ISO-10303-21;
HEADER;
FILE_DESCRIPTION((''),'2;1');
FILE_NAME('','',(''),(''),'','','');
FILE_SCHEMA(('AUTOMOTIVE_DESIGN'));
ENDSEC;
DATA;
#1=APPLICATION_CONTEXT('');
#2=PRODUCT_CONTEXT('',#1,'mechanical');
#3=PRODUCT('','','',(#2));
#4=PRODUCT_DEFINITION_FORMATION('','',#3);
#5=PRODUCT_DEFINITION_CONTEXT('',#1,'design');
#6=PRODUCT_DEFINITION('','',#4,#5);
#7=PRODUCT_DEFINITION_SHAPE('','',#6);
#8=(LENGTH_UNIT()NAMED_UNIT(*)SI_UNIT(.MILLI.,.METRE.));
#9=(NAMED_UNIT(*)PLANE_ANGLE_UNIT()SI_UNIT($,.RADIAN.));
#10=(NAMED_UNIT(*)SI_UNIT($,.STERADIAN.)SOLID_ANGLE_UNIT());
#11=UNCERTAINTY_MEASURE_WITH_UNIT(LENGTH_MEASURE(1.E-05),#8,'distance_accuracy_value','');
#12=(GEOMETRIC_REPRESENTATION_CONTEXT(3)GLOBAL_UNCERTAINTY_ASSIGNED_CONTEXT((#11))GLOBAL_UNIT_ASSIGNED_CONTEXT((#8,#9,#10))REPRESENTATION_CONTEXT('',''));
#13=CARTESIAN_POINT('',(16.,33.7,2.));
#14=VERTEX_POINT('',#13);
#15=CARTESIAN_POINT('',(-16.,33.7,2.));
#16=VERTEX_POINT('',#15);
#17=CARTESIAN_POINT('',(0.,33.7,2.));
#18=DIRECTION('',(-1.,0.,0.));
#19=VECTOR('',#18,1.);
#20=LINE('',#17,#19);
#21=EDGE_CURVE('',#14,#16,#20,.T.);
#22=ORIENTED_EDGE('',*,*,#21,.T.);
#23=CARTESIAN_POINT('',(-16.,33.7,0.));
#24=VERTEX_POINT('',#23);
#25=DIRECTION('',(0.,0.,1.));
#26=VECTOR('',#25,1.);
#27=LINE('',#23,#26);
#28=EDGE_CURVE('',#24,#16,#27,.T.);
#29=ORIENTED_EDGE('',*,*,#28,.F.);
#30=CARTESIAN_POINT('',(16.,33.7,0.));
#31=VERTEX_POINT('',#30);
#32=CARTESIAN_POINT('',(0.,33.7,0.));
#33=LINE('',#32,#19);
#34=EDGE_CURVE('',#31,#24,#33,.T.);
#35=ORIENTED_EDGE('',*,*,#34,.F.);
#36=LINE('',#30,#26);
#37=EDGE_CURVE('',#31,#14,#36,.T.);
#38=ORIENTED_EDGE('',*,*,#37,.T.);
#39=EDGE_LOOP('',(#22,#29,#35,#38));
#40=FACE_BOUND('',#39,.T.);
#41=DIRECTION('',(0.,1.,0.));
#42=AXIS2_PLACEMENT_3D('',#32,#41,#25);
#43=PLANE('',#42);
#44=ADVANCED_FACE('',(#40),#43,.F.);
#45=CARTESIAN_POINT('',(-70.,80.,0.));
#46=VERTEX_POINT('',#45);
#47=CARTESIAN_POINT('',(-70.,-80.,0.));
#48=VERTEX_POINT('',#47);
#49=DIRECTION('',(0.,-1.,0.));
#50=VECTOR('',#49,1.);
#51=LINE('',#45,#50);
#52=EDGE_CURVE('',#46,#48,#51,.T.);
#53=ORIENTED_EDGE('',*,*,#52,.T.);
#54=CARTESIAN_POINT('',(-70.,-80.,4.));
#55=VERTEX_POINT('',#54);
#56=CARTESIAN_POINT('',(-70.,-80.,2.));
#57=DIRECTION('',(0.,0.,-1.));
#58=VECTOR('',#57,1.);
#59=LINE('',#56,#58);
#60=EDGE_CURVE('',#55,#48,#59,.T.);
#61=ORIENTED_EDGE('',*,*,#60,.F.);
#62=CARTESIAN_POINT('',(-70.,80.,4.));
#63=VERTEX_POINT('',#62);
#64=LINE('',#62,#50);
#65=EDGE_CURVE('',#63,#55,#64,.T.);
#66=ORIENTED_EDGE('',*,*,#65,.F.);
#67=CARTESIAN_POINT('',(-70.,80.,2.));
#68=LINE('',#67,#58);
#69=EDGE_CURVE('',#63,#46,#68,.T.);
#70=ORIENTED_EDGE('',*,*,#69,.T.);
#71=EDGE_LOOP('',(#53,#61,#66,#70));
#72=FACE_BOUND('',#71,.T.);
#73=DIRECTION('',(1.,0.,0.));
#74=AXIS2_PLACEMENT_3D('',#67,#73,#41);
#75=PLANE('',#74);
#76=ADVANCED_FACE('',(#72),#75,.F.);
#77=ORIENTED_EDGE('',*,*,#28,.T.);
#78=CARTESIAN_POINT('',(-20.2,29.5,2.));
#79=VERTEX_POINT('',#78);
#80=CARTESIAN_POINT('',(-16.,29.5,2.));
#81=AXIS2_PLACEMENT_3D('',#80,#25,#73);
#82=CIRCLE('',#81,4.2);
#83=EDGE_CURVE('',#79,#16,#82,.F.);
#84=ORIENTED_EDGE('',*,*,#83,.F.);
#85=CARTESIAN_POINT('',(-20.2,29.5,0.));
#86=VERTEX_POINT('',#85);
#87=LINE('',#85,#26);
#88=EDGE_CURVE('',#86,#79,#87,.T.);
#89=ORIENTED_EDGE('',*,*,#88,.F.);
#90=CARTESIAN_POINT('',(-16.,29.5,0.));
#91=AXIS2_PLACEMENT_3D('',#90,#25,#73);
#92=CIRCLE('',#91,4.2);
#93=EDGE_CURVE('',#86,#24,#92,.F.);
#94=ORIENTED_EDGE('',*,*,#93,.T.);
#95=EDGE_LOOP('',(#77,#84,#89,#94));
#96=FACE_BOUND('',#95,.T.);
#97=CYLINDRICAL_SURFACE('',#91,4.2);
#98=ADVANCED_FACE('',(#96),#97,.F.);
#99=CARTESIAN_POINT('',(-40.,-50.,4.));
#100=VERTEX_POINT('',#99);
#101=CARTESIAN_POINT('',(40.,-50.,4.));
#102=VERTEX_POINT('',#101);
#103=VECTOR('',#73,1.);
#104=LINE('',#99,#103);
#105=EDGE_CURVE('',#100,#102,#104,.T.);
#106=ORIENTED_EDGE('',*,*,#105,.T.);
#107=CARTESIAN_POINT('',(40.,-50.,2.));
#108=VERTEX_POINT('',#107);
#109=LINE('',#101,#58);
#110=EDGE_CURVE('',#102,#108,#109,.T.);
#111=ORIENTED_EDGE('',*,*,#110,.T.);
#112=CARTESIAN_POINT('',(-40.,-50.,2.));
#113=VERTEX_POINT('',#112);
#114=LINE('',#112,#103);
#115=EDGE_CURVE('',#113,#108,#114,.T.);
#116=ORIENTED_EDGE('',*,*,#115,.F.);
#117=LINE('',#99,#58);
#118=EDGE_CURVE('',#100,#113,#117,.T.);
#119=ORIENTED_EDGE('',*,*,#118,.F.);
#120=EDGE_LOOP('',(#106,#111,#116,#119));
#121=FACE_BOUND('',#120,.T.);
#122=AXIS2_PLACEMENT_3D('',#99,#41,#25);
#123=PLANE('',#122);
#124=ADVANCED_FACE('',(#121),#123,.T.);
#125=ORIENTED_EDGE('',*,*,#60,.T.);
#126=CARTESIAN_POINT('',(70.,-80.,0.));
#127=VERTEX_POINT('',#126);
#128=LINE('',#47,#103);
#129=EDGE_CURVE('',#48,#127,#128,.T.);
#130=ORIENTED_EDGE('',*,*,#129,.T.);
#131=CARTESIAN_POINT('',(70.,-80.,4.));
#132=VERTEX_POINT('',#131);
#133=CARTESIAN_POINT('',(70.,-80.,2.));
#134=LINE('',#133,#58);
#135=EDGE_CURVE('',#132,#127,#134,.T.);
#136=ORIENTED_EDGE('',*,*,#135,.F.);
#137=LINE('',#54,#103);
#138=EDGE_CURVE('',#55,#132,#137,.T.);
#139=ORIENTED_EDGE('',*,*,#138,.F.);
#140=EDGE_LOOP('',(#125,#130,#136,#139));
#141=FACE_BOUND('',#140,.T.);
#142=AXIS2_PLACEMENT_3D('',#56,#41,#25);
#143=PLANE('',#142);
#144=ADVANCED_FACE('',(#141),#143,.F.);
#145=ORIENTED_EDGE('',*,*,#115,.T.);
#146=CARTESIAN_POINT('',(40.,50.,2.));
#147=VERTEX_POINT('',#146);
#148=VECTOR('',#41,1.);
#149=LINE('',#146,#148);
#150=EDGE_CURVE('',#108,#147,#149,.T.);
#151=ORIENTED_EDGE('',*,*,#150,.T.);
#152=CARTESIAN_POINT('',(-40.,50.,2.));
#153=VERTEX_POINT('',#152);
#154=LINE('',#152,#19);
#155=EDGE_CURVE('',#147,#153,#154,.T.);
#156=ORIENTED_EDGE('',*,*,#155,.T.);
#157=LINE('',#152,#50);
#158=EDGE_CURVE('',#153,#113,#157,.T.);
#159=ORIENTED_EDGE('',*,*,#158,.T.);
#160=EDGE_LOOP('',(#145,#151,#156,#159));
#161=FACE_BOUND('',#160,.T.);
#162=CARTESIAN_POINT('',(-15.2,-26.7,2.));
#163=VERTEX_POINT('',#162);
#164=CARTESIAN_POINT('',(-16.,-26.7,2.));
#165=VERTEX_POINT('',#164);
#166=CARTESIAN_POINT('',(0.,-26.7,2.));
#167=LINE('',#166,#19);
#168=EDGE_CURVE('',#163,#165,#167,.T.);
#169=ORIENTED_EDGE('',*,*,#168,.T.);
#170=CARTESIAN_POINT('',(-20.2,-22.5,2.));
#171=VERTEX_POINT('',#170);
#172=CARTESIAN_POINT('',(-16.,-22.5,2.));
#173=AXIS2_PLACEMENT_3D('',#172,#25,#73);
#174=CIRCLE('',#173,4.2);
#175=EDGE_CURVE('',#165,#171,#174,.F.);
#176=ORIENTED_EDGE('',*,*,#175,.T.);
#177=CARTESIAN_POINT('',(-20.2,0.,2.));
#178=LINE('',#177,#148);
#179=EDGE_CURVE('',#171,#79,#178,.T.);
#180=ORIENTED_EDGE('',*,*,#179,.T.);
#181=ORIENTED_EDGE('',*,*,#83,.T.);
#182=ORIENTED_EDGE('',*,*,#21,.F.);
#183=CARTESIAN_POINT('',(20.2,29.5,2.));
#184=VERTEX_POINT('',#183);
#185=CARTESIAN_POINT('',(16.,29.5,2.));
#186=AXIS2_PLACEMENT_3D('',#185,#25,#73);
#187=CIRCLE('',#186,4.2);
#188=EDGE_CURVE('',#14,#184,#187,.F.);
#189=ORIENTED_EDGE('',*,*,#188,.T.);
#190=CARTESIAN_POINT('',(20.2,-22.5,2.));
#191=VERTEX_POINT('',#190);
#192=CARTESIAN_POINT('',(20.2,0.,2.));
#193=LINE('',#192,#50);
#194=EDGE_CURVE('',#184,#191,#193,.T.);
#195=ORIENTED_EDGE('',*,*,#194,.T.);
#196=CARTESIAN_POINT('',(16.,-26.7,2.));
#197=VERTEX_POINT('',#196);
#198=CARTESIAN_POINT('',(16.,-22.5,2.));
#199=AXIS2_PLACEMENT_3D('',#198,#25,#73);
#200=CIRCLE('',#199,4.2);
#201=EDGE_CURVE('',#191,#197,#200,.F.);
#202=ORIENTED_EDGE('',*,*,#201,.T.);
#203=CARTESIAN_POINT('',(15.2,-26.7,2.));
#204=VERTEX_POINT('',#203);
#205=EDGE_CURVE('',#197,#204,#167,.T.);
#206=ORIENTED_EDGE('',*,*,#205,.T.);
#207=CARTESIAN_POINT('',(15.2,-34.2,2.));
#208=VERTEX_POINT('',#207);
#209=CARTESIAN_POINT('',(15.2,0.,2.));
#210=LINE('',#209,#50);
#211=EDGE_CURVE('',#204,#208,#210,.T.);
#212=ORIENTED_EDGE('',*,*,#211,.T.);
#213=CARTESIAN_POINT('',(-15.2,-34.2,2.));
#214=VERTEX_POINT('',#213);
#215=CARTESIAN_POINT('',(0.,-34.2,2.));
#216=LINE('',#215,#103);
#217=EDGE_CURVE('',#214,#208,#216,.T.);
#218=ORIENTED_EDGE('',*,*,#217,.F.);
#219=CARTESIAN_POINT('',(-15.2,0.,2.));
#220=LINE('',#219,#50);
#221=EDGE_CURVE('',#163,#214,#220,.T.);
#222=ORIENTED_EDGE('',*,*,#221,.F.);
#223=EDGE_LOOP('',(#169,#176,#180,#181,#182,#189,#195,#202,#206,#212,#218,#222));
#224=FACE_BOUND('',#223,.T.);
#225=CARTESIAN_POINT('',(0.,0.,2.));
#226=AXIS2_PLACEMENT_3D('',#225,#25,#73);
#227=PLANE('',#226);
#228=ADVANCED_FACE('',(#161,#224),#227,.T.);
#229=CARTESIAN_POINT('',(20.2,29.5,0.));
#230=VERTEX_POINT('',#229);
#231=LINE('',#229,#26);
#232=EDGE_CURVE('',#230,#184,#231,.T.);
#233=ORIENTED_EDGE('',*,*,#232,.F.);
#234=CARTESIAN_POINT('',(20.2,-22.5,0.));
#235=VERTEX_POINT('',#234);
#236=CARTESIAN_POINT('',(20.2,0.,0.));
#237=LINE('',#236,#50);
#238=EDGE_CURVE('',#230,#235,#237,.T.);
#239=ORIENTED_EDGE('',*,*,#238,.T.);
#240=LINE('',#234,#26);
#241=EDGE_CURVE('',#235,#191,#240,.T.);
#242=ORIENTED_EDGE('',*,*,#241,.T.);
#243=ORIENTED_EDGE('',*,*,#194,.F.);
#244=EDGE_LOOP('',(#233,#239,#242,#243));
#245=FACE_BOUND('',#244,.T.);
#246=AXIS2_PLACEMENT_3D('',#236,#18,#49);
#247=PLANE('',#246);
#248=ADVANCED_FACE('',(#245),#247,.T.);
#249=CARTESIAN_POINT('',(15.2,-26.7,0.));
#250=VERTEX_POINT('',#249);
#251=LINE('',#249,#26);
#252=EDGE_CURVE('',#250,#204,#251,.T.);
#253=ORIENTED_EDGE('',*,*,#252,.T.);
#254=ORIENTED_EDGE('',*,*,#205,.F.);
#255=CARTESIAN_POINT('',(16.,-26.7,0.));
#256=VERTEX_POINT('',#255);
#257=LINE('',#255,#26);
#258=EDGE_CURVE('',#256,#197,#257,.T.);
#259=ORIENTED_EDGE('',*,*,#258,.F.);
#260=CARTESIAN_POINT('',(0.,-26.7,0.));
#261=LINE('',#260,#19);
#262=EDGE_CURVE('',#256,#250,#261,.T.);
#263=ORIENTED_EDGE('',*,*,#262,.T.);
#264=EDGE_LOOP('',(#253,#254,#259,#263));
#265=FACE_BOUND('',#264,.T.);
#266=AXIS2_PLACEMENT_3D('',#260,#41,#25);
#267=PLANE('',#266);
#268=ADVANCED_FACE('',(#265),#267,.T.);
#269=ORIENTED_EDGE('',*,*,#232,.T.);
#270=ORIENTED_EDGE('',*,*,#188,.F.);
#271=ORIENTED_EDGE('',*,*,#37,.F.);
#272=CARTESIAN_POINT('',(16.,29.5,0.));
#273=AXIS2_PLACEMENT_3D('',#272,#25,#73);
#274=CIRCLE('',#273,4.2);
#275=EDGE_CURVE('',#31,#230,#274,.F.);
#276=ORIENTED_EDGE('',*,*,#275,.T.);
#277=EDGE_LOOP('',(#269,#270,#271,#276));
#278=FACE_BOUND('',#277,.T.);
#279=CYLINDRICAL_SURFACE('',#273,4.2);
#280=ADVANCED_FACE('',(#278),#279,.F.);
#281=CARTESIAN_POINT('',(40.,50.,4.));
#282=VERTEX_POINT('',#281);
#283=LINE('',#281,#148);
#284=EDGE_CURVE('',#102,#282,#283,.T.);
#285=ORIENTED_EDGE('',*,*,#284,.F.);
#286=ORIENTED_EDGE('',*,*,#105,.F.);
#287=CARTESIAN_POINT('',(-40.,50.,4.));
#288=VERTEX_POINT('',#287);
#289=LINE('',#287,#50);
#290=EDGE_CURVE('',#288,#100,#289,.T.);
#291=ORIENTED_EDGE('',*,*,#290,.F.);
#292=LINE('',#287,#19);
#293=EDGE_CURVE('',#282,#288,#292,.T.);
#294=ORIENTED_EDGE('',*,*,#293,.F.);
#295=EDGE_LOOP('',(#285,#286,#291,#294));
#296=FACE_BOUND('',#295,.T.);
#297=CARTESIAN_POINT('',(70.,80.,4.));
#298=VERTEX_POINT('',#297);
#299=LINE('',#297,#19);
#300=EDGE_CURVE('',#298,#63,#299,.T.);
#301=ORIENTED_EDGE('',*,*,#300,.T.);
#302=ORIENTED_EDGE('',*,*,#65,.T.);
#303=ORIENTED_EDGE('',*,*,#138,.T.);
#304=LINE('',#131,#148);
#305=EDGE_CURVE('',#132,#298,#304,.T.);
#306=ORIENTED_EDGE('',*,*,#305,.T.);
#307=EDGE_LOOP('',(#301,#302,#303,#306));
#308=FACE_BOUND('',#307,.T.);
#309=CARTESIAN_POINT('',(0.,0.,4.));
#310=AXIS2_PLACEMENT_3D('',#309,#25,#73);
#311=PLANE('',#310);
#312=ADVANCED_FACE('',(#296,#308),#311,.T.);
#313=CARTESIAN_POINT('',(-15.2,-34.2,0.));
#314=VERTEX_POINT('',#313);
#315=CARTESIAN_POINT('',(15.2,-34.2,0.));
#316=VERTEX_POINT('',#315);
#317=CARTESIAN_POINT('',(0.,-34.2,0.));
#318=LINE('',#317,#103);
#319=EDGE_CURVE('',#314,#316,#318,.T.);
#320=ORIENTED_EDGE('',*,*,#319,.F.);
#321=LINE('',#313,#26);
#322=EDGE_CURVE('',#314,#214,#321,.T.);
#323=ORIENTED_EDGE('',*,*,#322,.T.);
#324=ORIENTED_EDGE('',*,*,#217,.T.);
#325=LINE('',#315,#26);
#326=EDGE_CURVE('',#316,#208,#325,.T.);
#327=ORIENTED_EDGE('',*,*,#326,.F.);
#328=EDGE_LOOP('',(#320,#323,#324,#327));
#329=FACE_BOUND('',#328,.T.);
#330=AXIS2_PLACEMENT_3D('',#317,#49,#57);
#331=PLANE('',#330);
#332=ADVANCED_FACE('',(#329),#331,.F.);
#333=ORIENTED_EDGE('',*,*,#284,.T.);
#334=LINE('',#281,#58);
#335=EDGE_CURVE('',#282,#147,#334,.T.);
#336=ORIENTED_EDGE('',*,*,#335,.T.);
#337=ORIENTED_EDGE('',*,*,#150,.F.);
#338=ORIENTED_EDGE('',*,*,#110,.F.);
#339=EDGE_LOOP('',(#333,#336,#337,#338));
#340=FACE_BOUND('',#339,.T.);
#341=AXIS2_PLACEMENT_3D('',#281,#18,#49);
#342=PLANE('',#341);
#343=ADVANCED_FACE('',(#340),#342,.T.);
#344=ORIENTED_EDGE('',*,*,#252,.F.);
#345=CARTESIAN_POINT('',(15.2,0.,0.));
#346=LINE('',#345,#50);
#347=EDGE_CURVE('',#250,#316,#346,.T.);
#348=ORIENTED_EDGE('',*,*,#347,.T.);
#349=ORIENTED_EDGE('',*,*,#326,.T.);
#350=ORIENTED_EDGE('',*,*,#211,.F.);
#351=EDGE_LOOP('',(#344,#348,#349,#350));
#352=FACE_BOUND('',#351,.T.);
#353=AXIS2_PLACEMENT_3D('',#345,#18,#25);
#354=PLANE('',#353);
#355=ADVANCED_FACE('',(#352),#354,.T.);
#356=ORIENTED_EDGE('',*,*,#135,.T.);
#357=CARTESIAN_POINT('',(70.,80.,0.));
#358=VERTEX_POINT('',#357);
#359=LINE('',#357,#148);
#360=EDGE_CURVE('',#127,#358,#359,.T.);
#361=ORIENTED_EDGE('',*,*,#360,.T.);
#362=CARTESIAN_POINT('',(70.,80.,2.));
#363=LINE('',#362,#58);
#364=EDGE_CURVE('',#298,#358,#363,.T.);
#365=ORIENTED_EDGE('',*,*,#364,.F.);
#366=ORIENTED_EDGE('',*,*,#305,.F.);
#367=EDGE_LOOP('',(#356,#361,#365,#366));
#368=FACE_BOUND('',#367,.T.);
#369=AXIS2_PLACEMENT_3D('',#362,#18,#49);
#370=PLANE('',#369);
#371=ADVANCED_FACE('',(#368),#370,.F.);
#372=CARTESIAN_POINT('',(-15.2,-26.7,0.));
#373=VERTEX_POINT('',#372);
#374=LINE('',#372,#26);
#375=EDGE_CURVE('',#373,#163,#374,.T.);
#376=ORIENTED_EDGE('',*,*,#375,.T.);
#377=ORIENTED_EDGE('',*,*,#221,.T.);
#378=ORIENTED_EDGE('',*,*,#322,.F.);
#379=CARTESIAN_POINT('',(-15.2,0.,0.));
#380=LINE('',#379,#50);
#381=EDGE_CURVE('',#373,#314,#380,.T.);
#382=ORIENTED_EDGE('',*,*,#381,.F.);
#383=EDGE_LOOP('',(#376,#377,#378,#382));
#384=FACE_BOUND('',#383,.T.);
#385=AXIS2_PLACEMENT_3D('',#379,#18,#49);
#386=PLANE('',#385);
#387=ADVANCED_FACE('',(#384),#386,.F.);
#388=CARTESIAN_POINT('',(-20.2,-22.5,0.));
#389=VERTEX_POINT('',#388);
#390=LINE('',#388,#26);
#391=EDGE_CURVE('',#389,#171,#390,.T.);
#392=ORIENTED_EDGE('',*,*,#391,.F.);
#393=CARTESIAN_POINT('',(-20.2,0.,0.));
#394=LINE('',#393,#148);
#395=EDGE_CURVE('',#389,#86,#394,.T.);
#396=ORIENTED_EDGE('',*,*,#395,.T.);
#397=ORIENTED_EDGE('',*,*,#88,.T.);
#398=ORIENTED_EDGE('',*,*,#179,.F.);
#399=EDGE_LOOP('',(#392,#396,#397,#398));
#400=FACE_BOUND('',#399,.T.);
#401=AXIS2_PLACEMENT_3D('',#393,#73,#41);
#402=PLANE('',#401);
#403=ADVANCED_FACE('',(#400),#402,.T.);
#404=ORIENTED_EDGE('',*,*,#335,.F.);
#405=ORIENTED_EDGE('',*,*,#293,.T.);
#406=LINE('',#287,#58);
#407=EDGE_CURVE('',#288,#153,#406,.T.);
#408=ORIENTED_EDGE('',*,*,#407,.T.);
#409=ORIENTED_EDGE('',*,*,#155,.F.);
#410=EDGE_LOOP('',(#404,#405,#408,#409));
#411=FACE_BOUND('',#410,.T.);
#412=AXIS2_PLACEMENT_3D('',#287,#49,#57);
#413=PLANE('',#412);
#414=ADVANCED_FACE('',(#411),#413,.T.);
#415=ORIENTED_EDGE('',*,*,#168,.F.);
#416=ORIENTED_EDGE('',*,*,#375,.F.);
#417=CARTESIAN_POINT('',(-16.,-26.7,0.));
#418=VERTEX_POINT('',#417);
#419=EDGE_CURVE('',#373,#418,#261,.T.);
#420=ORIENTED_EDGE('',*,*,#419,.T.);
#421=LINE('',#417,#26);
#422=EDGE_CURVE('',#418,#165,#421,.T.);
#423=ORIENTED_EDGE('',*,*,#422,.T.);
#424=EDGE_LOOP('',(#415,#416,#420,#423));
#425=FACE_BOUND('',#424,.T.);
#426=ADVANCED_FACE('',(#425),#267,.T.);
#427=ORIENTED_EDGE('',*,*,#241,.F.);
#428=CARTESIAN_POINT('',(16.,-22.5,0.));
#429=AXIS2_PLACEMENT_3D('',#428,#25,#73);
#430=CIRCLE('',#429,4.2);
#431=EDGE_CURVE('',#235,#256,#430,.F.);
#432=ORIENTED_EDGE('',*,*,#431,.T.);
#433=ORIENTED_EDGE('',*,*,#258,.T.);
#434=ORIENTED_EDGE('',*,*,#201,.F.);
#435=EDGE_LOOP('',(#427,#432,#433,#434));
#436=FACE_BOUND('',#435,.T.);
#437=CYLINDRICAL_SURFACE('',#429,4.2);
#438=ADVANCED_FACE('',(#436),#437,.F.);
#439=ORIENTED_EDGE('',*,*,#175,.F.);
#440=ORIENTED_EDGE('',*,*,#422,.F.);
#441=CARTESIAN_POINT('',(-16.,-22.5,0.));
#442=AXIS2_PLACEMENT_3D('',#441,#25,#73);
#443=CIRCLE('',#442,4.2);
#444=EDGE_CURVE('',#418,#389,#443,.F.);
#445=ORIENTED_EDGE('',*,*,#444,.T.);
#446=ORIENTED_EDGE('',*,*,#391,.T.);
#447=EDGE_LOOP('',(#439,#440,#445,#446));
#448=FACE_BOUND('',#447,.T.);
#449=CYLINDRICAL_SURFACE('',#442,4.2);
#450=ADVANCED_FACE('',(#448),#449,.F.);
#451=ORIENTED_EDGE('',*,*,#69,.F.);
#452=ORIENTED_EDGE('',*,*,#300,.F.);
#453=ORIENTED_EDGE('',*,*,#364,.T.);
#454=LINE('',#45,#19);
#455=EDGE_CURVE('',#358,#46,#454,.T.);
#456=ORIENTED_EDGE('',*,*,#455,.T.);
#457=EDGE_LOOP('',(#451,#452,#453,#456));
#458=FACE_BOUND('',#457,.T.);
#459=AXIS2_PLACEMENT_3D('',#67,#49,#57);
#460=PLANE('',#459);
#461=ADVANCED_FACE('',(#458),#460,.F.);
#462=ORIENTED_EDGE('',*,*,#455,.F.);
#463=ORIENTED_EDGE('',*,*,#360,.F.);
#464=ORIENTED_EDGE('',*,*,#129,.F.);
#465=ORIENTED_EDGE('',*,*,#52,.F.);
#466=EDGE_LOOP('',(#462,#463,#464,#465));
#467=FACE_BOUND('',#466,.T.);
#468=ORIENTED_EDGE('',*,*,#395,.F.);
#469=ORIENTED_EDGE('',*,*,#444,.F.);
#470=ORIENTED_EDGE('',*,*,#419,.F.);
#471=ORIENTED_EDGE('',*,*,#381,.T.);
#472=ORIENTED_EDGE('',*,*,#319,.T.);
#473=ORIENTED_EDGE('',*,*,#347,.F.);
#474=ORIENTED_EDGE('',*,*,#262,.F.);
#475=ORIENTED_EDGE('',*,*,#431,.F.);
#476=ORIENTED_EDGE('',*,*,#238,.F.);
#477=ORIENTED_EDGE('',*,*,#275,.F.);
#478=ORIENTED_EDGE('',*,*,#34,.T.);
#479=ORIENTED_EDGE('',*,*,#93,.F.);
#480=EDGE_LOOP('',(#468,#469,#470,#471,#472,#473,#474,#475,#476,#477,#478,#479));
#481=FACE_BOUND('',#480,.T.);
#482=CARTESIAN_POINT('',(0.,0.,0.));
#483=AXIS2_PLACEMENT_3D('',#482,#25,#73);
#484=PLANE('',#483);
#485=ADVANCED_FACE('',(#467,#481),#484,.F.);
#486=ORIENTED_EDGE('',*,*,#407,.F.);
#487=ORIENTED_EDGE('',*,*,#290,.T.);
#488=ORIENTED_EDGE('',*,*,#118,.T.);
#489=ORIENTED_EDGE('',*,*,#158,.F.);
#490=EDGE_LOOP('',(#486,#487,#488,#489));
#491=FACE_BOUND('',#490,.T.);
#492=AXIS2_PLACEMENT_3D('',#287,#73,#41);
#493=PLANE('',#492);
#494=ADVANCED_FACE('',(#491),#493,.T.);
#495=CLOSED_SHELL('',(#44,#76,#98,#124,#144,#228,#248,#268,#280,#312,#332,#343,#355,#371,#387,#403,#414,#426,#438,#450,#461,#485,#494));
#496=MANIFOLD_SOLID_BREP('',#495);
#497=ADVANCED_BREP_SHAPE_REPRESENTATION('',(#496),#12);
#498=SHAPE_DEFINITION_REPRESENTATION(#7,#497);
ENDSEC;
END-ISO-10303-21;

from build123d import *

# Parameters (mm, degrees)
SKETCH_1_W          = 140
SKETCH_1_H          = 160
EXTRUDE_1_DEPTH     = 2
SKETCH_2_W          = 140
SKETCH_2_H          = 160
SKETCH_2_W_2        = 80
SKETCH_2_H_2        = 100
EXTRUDE_2_DEPTH     = 2
CUT_EXTRUDE_1_DEPTH = 2


with BuildPart() as part:
    # 草图1 → 凸台-拉伸1 (new body)
    with BuildSketch(Plane.XY):
        Rectangle(SKETCH_1_W, SKETCH_1_H)
    extrude(amount=EXTRUDE_1_DEPTH)

    # 草图2 → 凸台-拉伸2 (add)
    with BuildSketch(Plane.XY.offset(2)):
        Rectangle(SKETCH_2_W, SKETCH_2_H)
        Rectangle(SKETCH_2_W_2, SKETCH_2_H_2, mode=Mode.SUBTRACT)
    extrude(amount=EXTRUDE_2_DEPTH)

    # 草图4 → 切除-拉伸1 (cut)
    with BuildSketch(Plane.XY.offset(2)):
        with BuildLine():
            Line((-10.8, -34.2), (-6.8, -34.2))
            Line((-6.8, -34.2), (6.8, -34.2))
            Line((6.8, -34.2), (10.8, -34.2))
            Line((10.8, -34.2), (11.2, -34.2))
            Line((11.2, -34.2), (15.2, -34.2))
            Line((15.2, -34.2), (15.2, -26.7))
            Line((15.2, -26.7), (16, -26.7))
            ThreePointArc((16, -26.7), (18.969848481, -25.469848481), (20.2, -22.5))
            Line((20.2, -22.5), (20.2, 29.5))
            ThreePointArc((20.2, 29.5), (18.969848481, 32.469848481), (16, 33.7))
            Line((16, 33.7), (-16, 33.7))
            ThreePointArc((-16, 33.7), (-18.969848481, 32.469848481), (-20.2, 29.5))
            Line((-20.2, 29.5), (-20.2, -22.5))
            ThreePointArc((-20.2, -22.5), (-18.969848481, -25.469848481), (-16, -26.7))
            Line((-16, -26.7), (-15.2, -26.7))
            Line((-15.2, -26.7), (-15.2, -34.2))
            Line((-15.2, -34.2), (-11.2, -34.2))
            Line((-11.2, -34.2), (-10.8, -34.2))
        make_face()
    extrude(amount=-CUT_EXTRUDE_1_DEPTH, mode=Mode.SUBTRACT)


solid = part.part
